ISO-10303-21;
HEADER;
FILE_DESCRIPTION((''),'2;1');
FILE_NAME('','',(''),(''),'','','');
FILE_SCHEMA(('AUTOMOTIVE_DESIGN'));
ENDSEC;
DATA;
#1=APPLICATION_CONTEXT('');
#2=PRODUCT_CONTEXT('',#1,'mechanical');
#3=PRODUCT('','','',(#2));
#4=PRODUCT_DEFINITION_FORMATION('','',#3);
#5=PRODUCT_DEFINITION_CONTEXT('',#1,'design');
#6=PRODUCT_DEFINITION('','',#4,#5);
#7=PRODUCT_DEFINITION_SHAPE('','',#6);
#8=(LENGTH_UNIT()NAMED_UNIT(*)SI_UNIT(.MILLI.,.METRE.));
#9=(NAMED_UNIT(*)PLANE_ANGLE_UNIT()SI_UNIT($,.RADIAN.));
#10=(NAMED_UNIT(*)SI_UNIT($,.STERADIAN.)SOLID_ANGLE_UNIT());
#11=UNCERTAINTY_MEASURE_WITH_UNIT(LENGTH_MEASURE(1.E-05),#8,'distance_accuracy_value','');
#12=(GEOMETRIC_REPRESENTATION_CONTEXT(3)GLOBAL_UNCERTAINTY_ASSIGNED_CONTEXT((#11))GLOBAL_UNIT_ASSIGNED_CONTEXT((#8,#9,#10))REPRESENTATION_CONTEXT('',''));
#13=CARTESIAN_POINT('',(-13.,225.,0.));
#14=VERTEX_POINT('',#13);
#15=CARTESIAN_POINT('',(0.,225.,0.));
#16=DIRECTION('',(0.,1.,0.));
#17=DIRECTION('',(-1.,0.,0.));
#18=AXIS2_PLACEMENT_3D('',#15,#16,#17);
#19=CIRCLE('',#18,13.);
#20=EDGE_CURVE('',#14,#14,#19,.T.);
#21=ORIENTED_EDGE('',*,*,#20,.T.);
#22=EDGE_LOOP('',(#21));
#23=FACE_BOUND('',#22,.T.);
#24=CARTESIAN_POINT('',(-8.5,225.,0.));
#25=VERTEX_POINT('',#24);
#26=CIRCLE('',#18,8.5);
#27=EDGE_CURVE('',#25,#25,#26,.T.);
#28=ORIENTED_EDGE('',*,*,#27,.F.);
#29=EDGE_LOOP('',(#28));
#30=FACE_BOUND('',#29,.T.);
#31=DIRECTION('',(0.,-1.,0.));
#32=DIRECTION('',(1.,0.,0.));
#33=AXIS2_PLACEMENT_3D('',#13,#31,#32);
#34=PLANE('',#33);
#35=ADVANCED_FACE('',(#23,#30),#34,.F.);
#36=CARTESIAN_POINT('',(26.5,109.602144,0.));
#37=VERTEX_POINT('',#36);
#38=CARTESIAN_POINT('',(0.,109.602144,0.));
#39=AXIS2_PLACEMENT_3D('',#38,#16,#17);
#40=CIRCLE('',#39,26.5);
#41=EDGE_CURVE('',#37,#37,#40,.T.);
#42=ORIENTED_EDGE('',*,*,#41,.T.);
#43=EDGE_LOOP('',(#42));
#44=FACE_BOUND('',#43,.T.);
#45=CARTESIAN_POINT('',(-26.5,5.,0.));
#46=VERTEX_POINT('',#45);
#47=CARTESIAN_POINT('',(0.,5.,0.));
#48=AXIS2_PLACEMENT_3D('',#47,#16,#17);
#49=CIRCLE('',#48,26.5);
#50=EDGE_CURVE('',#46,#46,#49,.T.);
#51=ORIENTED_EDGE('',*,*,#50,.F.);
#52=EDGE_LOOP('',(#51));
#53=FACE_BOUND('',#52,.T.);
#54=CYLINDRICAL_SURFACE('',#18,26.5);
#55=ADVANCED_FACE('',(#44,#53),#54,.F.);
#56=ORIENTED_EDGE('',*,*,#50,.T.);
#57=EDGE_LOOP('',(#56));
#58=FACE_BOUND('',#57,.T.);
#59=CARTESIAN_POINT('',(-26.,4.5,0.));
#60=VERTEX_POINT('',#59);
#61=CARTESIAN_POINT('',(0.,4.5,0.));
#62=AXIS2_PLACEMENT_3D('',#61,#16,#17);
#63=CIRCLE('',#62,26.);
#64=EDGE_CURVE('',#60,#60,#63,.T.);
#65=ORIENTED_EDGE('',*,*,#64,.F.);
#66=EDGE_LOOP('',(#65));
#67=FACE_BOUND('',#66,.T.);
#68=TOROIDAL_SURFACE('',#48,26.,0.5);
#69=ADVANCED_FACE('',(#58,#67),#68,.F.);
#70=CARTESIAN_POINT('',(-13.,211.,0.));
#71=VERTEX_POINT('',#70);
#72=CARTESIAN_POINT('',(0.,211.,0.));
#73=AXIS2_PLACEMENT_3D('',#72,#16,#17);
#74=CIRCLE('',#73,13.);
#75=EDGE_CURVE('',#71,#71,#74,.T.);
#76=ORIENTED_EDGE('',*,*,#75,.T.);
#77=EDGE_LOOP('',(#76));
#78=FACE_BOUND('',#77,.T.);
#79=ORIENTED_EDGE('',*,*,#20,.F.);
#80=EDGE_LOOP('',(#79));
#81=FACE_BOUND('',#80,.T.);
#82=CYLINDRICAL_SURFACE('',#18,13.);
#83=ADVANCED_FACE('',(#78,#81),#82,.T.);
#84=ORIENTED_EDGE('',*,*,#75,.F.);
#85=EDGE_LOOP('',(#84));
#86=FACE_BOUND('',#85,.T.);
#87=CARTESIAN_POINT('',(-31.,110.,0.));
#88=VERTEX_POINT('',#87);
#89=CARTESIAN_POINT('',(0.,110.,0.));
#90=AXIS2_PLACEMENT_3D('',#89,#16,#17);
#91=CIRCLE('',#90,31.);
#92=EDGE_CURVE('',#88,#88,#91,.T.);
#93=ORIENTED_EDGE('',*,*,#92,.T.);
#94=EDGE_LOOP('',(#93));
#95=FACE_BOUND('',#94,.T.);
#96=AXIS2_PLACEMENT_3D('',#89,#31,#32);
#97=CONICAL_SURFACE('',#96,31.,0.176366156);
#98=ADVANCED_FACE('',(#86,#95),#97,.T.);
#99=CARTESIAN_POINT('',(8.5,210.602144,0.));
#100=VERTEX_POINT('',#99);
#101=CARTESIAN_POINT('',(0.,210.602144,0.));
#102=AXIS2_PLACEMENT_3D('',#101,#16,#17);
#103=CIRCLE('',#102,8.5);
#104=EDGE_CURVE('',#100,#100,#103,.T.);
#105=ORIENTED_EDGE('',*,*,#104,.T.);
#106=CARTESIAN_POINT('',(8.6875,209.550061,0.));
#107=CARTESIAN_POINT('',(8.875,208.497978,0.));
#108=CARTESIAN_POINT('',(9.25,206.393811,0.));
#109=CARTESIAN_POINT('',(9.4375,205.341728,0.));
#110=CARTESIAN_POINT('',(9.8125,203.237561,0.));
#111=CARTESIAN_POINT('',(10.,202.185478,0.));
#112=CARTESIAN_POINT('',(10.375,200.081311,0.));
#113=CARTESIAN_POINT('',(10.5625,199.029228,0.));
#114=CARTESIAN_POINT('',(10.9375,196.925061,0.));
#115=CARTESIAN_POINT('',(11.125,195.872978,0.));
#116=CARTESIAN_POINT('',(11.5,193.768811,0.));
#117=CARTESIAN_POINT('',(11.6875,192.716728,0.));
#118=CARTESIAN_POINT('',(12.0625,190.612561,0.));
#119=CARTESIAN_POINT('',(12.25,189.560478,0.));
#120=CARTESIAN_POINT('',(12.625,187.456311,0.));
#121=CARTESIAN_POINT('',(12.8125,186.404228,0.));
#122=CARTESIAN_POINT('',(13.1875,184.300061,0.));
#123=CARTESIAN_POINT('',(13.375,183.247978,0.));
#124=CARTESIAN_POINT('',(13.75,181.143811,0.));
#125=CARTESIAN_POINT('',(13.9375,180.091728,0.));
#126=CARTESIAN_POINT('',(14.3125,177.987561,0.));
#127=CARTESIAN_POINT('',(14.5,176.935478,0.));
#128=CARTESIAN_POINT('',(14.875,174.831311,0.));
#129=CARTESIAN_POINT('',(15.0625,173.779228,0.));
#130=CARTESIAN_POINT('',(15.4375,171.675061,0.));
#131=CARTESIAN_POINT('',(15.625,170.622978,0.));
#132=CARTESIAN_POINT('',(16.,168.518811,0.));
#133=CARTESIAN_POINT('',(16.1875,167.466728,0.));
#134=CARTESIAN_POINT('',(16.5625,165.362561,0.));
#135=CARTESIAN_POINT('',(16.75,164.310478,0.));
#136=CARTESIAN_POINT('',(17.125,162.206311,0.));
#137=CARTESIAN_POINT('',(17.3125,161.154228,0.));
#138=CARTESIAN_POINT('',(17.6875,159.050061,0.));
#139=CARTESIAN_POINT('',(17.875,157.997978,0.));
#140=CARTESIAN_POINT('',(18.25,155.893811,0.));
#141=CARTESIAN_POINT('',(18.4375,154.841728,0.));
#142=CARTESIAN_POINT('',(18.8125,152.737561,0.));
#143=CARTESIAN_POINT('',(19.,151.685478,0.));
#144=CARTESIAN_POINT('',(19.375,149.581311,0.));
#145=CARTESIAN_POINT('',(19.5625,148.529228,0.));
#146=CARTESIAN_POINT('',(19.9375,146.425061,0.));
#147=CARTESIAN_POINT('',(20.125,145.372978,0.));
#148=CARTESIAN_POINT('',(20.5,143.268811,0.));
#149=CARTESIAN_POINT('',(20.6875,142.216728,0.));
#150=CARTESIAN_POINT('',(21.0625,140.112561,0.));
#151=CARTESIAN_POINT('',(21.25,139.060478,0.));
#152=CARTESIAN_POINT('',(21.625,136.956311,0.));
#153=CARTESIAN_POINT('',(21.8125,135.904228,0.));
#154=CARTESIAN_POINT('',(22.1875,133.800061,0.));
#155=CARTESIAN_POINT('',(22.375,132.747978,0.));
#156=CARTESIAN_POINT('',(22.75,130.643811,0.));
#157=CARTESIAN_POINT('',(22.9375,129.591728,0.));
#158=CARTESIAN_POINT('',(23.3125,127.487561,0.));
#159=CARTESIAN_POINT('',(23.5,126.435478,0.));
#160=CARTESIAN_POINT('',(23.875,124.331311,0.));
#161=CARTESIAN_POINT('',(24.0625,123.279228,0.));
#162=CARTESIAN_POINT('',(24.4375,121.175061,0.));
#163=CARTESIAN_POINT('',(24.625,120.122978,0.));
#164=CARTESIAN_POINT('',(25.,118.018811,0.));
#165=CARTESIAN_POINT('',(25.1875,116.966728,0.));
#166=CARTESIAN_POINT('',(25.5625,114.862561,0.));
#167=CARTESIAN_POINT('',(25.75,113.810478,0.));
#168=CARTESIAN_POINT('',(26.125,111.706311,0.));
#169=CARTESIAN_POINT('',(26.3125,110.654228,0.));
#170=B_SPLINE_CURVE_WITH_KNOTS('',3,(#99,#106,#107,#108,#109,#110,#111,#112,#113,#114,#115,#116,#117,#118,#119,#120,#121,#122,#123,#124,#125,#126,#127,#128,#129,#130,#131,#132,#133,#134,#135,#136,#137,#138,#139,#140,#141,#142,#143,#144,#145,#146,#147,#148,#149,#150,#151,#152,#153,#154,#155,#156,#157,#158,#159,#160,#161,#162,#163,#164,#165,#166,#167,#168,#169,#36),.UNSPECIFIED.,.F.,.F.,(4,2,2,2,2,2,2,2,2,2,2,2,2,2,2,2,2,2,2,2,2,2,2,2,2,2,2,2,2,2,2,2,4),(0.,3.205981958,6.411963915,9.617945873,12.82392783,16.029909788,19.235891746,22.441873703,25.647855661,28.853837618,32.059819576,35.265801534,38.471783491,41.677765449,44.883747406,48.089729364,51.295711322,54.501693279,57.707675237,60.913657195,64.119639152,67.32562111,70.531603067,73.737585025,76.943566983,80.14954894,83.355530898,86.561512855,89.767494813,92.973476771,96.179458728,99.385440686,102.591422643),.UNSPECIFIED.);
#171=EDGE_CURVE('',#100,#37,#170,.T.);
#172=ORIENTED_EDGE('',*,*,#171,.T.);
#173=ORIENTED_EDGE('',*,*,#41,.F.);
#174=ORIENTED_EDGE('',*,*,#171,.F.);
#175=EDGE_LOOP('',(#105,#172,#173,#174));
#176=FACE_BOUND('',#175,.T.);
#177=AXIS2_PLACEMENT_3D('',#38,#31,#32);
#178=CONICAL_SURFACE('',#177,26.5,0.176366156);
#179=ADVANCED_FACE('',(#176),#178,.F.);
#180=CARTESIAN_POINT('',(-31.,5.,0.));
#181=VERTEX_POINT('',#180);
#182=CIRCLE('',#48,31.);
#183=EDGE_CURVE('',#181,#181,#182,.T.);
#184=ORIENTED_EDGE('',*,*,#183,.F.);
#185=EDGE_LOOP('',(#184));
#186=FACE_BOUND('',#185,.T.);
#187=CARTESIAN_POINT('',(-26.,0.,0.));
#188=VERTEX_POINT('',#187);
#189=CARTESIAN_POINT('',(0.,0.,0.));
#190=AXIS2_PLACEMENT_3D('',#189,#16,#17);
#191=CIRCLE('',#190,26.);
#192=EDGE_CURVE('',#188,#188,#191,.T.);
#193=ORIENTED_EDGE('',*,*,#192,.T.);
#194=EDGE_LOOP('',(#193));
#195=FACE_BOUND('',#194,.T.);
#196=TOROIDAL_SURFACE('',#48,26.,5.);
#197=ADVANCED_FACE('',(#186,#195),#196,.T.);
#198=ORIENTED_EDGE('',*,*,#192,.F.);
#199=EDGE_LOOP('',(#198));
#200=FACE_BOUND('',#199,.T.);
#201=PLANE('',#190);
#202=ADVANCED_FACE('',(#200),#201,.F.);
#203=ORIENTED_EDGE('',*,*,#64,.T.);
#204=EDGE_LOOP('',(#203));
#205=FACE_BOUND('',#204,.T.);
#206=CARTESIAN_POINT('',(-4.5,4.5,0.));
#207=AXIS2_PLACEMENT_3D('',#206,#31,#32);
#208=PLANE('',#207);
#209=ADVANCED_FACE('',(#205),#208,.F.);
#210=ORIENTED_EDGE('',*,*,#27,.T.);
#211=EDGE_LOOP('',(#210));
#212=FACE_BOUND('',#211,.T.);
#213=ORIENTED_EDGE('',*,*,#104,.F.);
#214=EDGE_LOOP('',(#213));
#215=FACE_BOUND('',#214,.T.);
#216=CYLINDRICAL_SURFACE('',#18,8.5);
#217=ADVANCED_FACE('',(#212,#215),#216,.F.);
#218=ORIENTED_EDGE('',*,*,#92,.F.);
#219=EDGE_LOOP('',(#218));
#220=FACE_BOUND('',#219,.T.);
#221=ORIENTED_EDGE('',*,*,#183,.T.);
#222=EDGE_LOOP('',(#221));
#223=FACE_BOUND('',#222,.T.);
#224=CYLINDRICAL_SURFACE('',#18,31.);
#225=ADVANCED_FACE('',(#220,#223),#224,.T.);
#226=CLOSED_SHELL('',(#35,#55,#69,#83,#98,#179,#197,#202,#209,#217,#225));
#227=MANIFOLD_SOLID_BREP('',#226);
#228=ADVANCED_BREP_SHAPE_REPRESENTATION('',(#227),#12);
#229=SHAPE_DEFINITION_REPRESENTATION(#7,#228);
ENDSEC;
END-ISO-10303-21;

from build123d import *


with BuildPart() as part:
    # Schizzo1 → Rivoluzione1 (revolve)
    with BuildSketch(Plane.XY):
        with BuildLine():
            Line((0, 0), (-26, 0))
            ThreePointArc((-26, 0), (-29.535533906, 1.464466094), (-31, 5))
            Line((-31, 5), (-31, 110))
            Line((-31, 110), (-13, 211))
            Line((-13, 211), (-13, 225))
            Line((-13, 225), (-8.5, 225))
            Line((-8.5, 225), (-8.5, 220.5))
            Line((-8.5, 220.5), (-8.5, 210.602144339))
            Line((-8.5, 210.602144339), (-26.5, 109.602144339))
            Line((-26.5, 109.602144339), (-26.5, 5))
            ThreePointArc((-26.5, 5), (-26.353553391, 4.646446609), (-26, 4.5))
            Line((-26, 4.5), (-4.5, 4.5))
            Line((-4.5, 4.5), (0, 4.5))
            Line((0, 4.5), (0, 0))
        make_face()
    revolve(axis=Axis((0, 225, 0), (0, -1, 0)))


solid = part.part
